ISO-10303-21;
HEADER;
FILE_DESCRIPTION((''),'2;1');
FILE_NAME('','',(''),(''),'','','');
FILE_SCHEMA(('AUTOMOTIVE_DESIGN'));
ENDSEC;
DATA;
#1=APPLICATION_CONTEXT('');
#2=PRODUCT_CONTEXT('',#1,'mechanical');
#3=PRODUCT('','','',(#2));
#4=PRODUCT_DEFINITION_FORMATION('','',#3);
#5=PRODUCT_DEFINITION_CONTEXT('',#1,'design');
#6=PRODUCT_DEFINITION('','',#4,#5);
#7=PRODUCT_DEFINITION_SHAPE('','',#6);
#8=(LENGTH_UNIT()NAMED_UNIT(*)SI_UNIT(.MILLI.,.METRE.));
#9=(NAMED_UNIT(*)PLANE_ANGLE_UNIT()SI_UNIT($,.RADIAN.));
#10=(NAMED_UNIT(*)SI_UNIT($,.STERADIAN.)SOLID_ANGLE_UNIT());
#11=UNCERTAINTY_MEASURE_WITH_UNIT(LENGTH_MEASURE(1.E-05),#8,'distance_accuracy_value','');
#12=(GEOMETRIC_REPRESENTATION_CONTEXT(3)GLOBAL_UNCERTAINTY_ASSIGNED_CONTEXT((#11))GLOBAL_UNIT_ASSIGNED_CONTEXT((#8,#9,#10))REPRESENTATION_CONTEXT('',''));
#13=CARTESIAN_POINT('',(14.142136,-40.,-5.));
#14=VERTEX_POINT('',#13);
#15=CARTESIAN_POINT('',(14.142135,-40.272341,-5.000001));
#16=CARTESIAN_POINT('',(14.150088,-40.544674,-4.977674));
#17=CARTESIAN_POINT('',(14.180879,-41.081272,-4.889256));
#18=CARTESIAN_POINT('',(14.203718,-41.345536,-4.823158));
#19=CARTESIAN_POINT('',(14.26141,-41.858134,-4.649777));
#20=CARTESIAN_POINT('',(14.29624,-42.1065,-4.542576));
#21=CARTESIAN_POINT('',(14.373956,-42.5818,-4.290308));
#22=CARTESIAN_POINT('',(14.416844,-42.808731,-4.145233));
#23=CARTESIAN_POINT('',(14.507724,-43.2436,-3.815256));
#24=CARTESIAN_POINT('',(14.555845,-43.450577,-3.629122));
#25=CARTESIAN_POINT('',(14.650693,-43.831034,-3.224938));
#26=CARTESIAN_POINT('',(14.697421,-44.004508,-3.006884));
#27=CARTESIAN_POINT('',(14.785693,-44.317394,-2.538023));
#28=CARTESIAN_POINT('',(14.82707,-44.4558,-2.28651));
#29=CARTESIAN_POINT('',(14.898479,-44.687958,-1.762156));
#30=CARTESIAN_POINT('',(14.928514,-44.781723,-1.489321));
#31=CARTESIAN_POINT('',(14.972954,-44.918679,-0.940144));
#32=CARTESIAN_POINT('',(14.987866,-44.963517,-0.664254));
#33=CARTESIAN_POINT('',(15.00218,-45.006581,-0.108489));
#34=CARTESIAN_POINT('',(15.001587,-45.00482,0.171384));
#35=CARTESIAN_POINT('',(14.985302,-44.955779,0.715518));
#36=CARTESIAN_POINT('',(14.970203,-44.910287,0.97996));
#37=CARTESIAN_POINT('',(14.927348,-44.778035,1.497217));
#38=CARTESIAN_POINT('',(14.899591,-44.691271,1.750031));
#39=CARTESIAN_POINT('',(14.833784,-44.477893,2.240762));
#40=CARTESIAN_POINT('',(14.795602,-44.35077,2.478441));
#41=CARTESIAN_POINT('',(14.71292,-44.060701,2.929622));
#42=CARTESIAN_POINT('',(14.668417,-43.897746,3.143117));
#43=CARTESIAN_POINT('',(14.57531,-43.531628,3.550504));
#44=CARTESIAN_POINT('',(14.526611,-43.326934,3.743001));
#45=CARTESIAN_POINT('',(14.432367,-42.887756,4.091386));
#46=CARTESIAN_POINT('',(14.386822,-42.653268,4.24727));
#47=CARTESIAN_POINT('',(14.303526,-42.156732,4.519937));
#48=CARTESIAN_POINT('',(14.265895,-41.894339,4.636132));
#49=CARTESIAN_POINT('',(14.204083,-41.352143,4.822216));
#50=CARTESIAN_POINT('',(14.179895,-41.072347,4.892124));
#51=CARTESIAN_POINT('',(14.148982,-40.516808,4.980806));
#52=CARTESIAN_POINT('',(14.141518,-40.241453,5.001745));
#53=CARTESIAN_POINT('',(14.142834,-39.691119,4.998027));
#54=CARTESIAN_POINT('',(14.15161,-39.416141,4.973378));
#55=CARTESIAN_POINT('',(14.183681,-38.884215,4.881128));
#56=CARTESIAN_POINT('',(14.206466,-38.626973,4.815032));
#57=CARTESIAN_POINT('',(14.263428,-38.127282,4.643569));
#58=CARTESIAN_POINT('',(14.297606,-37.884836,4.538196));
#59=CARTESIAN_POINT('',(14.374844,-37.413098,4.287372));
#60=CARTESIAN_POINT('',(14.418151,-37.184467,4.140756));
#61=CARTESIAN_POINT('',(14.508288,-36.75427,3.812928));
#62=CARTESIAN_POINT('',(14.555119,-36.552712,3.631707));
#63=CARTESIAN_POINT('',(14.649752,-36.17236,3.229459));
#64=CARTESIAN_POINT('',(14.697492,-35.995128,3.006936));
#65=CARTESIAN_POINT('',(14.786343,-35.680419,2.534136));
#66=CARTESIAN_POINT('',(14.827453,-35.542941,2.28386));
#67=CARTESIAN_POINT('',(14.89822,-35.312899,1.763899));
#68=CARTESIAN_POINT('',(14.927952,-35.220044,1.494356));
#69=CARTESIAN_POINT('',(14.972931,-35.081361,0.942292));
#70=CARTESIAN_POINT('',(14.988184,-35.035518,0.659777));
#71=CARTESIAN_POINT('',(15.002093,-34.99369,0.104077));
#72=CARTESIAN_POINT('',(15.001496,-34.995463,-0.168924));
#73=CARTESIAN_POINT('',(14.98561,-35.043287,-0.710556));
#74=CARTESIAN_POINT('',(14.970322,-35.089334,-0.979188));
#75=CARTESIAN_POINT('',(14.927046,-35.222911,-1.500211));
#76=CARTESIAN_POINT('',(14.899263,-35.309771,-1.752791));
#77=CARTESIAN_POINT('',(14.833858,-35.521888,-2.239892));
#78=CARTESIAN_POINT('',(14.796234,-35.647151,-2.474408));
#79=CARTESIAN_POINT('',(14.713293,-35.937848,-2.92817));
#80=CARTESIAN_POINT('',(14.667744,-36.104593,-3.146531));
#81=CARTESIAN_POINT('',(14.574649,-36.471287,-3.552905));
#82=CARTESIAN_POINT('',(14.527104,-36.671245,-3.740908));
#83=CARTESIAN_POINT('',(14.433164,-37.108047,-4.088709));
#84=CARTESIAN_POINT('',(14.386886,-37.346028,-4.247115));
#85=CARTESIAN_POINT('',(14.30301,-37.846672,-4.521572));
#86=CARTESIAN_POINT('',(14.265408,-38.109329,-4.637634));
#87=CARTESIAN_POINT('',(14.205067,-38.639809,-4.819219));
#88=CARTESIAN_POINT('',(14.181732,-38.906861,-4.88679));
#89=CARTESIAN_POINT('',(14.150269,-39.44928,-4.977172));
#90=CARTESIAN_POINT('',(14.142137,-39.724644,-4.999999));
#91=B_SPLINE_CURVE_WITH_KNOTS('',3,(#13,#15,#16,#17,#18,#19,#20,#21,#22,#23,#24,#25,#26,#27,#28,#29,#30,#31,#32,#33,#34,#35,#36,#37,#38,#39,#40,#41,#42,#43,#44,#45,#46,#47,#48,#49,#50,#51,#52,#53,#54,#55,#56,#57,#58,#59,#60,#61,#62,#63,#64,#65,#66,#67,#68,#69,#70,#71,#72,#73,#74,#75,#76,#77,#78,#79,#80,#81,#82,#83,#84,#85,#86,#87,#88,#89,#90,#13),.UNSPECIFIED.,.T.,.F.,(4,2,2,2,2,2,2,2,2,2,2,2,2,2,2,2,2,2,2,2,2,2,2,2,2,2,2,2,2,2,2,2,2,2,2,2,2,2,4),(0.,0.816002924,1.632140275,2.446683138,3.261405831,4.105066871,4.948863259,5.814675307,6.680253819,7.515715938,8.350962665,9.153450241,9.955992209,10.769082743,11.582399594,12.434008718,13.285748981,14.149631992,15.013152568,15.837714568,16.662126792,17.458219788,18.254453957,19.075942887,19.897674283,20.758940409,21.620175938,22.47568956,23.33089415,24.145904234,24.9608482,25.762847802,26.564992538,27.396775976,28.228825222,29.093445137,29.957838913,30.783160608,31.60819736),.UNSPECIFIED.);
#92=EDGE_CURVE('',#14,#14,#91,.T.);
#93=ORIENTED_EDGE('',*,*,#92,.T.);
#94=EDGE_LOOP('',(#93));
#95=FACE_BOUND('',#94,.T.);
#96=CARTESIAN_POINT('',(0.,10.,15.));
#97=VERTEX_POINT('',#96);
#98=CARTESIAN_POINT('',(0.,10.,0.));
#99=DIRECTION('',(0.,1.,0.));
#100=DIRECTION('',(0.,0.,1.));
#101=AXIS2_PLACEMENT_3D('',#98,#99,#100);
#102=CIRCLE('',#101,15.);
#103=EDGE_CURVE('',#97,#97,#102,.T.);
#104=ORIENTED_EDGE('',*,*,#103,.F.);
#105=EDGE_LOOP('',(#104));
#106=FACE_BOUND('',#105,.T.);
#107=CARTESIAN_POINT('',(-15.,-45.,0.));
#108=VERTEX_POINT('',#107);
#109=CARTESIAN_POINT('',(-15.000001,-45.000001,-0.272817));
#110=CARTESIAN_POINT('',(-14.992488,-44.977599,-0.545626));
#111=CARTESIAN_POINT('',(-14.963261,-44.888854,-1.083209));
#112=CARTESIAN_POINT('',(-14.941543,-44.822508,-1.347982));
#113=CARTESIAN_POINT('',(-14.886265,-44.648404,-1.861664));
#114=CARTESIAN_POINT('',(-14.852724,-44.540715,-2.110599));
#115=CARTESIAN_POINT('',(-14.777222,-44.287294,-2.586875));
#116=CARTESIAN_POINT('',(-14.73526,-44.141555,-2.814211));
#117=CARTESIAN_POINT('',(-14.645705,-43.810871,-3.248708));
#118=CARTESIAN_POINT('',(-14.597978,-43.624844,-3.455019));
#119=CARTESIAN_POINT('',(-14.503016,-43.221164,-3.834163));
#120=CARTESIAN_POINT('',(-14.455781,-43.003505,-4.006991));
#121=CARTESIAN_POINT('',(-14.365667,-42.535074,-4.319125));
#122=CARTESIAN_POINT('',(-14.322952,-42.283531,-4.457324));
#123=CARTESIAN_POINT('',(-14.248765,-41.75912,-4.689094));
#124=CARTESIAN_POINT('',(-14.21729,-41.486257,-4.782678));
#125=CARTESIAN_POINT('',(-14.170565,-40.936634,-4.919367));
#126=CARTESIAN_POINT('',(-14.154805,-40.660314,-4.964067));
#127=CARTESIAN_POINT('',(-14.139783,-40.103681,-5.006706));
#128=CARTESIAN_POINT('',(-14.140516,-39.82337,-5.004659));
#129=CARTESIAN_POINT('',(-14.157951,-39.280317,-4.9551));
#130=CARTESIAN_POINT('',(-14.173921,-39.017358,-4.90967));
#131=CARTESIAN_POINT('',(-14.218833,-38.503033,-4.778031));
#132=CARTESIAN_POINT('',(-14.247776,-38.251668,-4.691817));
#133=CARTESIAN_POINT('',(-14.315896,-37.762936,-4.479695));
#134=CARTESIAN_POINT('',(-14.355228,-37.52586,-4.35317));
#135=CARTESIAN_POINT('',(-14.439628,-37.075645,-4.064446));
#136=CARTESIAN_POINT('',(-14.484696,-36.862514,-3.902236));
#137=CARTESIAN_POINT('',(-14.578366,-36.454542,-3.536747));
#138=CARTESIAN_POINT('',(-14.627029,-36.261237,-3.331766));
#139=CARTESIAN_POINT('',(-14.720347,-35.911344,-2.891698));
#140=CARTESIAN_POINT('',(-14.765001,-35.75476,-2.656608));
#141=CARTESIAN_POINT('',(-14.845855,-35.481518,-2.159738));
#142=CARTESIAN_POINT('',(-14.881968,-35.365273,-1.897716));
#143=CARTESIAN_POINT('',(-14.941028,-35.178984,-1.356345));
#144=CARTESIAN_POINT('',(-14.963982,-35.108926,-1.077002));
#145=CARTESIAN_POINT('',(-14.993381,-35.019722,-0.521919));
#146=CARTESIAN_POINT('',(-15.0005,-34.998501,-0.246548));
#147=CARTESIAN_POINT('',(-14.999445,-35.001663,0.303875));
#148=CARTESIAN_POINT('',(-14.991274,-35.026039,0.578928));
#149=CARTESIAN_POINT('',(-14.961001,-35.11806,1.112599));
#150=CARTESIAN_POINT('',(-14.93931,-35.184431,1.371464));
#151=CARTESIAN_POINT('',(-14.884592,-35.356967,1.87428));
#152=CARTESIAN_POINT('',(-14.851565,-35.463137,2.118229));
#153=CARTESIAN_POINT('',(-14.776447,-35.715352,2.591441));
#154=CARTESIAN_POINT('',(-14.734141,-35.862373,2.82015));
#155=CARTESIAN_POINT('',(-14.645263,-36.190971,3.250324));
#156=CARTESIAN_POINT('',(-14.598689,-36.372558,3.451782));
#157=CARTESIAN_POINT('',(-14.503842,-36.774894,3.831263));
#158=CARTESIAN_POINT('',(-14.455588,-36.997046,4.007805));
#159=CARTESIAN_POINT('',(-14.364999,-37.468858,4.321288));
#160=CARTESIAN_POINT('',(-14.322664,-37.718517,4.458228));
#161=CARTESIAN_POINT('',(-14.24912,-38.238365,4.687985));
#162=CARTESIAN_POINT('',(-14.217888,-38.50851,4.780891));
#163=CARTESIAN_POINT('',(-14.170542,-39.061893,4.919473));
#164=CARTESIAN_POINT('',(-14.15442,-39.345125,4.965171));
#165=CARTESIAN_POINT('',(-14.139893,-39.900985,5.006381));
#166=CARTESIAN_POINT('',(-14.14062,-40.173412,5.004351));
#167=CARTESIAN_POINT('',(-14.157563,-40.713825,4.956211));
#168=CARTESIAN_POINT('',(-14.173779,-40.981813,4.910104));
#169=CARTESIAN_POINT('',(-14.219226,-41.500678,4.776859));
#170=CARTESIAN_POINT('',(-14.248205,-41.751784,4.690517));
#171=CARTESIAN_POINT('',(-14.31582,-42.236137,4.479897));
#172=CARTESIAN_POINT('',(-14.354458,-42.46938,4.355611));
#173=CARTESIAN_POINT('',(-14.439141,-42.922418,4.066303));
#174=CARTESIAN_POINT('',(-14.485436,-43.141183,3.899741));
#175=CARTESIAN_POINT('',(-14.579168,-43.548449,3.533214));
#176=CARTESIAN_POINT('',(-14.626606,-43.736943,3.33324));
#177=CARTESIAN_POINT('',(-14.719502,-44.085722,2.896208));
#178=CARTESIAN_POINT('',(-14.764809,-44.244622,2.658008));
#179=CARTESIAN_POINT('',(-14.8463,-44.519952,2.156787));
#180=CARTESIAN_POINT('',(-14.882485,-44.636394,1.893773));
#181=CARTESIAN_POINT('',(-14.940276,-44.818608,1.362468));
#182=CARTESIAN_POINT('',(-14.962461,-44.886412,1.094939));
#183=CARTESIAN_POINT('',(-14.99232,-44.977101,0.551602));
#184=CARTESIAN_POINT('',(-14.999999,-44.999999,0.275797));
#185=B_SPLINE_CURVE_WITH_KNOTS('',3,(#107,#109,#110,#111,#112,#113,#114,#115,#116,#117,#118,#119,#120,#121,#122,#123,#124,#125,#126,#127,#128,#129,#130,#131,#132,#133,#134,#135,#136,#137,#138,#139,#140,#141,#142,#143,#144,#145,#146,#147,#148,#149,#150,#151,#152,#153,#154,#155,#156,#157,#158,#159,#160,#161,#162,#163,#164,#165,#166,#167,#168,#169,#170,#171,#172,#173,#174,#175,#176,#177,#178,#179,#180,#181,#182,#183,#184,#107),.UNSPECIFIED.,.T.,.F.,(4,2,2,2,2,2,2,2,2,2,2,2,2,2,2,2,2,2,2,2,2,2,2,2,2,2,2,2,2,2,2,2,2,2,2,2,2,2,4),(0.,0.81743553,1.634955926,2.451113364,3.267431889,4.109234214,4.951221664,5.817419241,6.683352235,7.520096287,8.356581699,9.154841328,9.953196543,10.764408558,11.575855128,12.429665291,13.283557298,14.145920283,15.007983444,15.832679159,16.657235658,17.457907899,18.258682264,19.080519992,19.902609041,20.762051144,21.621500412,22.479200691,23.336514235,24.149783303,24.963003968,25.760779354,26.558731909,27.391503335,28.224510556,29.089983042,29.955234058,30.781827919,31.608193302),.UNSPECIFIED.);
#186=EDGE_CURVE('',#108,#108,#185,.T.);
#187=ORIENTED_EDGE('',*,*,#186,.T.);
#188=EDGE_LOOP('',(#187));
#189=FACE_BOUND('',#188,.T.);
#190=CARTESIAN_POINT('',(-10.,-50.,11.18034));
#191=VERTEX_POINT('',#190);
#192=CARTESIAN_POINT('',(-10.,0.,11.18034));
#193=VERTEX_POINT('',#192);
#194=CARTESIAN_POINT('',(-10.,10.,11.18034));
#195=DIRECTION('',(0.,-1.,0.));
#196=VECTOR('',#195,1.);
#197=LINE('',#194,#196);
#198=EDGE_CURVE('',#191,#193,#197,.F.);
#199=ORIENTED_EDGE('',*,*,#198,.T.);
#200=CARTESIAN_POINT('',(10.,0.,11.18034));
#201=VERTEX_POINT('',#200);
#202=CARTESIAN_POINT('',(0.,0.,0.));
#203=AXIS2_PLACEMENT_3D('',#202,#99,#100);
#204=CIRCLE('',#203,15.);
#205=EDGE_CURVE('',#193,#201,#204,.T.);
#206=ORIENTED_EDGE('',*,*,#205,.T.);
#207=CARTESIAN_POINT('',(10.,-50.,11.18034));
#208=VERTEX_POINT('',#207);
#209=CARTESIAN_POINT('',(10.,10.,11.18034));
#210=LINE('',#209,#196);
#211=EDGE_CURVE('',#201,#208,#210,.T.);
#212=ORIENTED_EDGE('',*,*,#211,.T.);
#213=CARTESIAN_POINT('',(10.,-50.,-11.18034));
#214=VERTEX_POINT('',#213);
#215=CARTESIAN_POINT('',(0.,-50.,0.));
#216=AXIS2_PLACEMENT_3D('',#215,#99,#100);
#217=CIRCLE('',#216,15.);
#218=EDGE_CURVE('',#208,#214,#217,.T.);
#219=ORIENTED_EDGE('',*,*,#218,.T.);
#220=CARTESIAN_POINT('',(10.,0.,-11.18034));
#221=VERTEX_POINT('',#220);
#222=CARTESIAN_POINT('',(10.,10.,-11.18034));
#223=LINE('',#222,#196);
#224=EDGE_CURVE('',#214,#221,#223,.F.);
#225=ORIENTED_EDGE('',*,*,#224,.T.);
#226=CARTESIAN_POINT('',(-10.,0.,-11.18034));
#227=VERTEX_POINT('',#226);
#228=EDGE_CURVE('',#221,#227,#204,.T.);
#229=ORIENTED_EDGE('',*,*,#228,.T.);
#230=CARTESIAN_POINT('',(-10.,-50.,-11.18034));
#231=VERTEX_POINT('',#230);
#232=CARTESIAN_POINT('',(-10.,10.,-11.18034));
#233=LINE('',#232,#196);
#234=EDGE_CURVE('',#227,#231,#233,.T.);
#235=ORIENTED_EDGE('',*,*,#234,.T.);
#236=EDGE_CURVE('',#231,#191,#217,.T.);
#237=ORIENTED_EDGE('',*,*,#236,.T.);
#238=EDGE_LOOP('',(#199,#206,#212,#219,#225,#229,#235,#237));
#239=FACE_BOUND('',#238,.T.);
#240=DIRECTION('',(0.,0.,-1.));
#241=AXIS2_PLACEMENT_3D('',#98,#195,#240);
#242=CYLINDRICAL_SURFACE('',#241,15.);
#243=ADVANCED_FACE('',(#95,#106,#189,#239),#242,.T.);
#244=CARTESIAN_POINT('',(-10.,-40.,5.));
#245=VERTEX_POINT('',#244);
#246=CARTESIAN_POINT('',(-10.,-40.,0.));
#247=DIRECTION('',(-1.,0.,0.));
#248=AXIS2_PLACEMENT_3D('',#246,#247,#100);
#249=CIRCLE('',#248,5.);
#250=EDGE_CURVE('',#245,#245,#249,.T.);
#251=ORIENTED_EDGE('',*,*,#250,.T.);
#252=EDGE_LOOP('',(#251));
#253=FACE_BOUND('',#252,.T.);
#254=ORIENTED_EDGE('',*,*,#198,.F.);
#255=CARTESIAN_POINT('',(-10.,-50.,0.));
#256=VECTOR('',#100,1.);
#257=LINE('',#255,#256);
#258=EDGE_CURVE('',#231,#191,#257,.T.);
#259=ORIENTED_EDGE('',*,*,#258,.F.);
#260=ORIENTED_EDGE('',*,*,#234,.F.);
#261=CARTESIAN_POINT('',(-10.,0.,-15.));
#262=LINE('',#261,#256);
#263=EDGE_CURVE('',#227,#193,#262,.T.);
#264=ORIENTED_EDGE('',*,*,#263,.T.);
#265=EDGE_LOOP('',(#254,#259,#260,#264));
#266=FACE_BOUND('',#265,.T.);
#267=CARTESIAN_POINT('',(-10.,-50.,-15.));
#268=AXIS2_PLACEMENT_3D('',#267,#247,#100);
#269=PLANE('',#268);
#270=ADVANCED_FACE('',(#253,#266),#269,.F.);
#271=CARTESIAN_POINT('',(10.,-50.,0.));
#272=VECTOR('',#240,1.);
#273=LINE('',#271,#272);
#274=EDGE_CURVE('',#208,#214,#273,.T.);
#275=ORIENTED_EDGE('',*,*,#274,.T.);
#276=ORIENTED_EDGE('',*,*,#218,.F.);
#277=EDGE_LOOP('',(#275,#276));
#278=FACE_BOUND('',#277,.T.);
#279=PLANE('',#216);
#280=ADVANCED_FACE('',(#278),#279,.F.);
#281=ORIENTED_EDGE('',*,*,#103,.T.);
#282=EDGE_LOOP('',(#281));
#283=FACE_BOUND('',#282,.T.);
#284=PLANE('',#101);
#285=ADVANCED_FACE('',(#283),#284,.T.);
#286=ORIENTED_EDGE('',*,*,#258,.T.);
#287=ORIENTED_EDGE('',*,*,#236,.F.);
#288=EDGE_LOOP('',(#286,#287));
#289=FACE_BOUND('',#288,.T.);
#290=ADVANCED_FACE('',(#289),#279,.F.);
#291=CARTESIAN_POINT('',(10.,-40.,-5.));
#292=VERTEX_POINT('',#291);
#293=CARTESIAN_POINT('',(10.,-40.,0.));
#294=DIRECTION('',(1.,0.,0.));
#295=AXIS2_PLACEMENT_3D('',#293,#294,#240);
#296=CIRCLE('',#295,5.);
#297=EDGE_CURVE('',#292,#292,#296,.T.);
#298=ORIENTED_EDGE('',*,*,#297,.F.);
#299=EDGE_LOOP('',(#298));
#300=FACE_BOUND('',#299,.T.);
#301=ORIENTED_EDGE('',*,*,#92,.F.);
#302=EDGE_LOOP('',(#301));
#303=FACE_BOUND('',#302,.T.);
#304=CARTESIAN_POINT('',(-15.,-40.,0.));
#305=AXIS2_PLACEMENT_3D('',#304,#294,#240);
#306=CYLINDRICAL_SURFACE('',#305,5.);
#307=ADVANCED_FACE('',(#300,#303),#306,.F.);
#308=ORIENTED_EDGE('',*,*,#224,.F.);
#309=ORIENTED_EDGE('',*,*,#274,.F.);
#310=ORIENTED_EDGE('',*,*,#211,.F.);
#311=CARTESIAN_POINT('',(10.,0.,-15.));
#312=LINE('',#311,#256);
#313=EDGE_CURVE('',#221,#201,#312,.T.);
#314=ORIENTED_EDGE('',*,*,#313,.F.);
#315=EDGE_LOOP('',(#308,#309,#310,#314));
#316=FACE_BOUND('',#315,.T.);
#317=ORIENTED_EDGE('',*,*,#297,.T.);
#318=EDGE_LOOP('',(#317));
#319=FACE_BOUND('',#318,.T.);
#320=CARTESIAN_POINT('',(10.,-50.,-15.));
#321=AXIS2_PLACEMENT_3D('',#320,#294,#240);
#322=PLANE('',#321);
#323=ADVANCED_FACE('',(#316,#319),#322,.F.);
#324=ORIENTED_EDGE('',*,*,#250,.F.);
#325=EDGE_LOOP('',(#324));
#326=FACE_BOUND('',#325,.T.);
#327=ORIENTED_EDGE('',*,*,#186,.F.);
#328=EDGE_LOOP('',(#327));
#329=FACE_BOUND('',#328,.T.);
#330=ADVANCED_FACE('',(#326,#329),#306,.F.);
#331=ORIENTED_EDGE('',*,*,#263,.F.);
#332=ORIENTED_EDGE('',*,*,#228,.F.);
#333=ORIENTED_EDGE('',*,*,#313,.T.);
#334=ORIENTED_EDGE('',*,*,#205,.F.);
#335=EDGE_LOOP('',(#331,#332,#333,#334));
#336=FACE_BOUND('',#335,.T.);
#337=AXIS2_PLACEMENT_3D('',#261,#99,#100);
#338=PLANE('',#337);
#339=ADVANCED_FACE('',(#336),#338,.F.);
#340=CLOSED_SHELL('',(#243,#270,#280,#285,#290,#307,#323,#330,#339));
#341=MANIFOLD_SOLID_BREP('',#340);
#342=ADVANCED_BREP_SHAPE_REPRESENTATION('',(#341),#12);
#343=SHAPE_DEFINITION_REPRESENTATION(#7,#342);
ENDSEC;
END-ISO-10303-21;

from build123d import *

# Parameters (mm, degrees)
SKIZZE1_R                            = 15
AUFSATZ_LINEAR_AUSTRAGEN1_DEPTH      = 10
AUFSATZ_LINEAR_START                 = -50
SKIZZE4_R                            = 15
AUFSATZ_LINEAR_AUSTRAGEN3_DEPTH      = 50
SCHNITT_LINEAR_AUSTRAGEN1_DEPTH      = 55.313902456
SCHNITT_LINEAR_AUSTRAGEN1_DEPTH_BACK = 55.313902456
SKIZZE5_W                            = 20
SKIZZE5_H                            = 50
SCHNITT_LINEAR_AUSTRAGEN2_DEPTH      = 55.313902456
SCHNITT_LINEAR_AUSTRAGEN2_DEPTH_BACK = 55.313902456
SKIZZE6_R                            = 5


with BuildPart() as part:
    # Skizze1 → Aufsatz-Linear austragen1 (new body)
    with BuildSketch(Plane(origin=(0, 0, 0), x_dir=(1, 0, 0), z_dir=(0, 1, 0))):
        with Locations(Location((0, 0, 0), (0, 0, 270))):
            Circle(SKIZZE1_R)
    extrude(amount=AUFSATZ_LINEAR_AUSTRAGEN1_DEPTH)

    # Skizze4 → Aufsatz-Linear austragen3 (add)
    with BuildSketch(Plane(origin=(0, 0, 0), x_dir=(1, 0, 0), z_dir=(0, 1, 0)).offset(AUFSATZ_LINEAR_START)):
        with Locations(Location((0, 0, 0), (0, 0, 270))):
            Circle(SKIZZE4_R)
    extrude(amount=AUFSATZ_LINEAR_AUSTRAGEN3_DEPTH)

    # Skizze5 → Schnitt-Linear austragen1 (cut, two sides: drawn at the far end of the back side and taken through both)
    with BuildSketch(Plane.XY.offset(-SCHNITT_LINEAR_AUSTRAGEN1_DEPTH_BACK)):
        with Locations((0, -25)):
            Rectangle(SKIZZE5_W, SKIZZE5_H)
    extrude(amount=SCHNITT_LINEAR_AUSTRAGEN1_DEPTH + SCHNITT_LINEAR_AUSTRAGEN1_DEPTH_BACK, mode=Mode.SUBTRACT)

    # Skizze6 → Schnitt-Linear austragen2 (cut, two sides: drawn at the far end of the back side and taken through both)
    with BuildSketch(Plane(origin=(0, 0, 0), x_dir=(0, 0, -1), z_dir=(1, 0, 0)).offset(-SCHNITT_LINEAR_AUSTRAGEN2_DEPTH_BACK)):
        with Locations((0, -40)):
            Circle(SKIZZE6_R)
    extrude(amount=SCHNITT_LINEAR_AUSTRAGEN2_DEPTH + SCHNITT_LINEAR_AUSTRAGEN2_DEPTH_BACK, mode=Mode.SUBTRACT)


solid = part.part
